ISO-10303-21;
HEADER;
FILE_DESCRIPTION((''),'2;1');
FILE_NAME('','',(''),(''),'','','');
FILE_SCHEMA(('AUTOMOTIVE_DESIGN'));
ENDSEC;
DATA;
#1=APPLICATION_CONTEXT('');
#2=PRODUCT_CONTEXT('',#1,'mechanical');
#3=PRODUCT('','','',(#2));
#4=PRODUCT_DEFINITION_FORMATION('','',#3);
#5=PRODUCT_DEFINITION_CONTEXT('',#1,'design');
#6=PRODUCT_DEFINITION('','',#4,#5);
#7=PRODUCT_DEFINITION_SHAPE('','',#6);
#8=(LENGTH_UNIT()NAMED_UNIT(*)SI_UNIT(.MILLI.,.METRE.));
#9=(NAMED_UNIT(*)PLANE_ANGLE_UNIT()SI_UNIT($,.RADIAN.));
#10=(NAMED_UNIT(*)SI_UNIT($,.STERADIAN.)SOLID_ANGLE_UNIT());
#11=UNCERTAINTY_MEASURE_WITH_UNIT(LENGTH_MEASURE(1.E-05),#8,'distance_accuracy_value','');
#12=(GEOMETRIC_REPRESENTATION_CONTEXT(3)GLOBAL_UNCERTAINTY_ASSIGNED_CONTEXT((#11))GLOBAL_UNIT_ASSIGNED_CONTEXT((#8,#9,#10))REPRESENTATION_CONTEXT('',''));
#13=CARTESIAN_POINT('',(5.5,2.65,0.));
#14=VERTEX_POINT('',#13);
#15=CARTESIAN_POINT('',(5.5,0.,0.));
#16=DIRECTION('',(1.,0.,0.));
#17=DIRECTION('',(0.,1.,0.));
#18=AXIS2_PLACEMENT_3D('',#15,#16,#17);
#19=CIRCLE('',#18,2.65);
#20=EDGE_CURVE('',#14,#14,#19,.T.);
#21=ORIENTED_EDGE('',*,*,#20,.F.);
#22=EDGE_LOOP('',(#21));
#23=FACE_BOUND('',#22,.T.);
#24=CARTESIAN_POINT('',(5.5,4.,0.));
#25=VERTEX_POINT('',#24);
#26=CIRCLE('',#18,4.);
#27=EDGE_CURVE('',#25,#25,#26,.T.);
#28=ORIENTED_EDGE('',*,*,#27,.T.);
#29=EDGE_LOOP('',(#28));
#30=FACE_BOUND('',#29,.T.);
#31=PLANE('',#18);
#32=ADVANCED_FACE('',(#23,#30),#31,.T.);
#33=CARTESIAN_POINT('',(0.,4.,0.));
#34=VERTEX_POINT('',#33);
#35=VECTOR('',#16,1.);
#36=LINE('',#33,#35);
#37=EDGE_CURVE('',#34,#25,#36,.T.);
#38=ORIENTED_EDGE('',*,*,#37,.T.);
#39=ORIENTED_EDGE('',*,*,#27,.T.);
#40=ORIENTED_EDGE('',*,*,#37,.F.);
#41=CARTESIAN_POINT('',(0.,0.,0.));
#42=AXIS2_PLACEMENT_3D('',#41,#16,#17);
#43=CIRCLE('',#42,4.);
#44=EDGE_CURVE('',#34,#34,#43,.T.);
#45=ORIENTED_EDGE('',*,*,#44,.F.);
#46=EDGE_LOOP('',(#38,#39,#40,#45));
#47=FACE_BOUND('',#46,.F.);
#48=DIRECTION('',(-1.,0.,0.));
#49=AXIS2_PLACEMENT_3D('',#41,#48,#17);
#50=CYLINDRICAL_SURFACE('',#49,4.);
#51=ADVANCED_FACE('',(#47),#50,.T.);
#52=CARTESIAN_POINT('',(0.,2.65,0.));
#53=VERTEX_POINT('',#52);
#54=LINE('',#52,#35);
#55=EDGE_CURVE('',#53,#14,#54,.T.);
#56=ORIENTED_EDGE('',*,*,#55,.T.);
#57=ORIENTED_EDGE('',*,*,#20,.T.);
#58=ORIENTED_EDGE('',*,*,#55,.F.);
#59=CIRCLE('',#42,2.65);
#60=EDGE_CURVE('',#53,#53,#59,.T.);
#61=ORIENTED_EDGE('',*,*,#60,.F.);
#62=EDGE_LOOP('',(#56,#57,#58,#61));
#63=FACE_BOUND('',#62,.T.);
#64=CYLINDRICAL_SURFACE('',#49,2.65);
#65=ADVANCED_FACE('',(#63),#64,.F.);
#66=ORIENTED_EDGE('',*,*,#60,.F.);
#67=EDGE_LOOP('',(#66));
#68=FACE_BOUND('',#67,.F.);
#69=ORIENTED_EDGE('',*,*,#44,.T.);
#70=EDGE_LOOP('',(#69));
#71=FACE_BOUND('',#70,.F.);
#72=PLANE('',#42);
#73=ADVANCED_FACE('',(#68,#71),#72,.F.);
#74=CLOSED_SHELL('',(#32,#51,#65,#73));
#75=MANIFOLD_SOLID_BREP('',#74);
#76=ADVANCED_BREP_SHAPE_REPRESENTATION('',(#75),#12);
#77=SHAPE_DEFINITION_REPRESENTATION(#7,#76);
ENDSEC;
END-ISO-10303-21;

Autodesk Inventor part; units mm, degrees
ref_plane "YZ Plane" through (0, 0, 0) normal (1, 0, 0) x (0, 1, 0)
ref_plane "XZ Plane" through (0, 0, 0) normal (0, 1, 0) x (-1, 0, 0)
ref_plane "XY Plane" through (0, 0, 0) normal (0, 0, 1) x (1, 0, 0)
sketch "Sketch1" plane through (0, 0, 0) normal (1, 0, 0) x (0, 1, 0)
  circle A0 centre (0, 0) radius 2.65
  circle A1 centre (0, 0) radius 4
  dimension "d0" = 5.3
  dimension "d1" = 8
extrude "Extrusion1" add sketch "Sketch1" along normal blind 5.5
properties part number "V Wheel Spacer"
